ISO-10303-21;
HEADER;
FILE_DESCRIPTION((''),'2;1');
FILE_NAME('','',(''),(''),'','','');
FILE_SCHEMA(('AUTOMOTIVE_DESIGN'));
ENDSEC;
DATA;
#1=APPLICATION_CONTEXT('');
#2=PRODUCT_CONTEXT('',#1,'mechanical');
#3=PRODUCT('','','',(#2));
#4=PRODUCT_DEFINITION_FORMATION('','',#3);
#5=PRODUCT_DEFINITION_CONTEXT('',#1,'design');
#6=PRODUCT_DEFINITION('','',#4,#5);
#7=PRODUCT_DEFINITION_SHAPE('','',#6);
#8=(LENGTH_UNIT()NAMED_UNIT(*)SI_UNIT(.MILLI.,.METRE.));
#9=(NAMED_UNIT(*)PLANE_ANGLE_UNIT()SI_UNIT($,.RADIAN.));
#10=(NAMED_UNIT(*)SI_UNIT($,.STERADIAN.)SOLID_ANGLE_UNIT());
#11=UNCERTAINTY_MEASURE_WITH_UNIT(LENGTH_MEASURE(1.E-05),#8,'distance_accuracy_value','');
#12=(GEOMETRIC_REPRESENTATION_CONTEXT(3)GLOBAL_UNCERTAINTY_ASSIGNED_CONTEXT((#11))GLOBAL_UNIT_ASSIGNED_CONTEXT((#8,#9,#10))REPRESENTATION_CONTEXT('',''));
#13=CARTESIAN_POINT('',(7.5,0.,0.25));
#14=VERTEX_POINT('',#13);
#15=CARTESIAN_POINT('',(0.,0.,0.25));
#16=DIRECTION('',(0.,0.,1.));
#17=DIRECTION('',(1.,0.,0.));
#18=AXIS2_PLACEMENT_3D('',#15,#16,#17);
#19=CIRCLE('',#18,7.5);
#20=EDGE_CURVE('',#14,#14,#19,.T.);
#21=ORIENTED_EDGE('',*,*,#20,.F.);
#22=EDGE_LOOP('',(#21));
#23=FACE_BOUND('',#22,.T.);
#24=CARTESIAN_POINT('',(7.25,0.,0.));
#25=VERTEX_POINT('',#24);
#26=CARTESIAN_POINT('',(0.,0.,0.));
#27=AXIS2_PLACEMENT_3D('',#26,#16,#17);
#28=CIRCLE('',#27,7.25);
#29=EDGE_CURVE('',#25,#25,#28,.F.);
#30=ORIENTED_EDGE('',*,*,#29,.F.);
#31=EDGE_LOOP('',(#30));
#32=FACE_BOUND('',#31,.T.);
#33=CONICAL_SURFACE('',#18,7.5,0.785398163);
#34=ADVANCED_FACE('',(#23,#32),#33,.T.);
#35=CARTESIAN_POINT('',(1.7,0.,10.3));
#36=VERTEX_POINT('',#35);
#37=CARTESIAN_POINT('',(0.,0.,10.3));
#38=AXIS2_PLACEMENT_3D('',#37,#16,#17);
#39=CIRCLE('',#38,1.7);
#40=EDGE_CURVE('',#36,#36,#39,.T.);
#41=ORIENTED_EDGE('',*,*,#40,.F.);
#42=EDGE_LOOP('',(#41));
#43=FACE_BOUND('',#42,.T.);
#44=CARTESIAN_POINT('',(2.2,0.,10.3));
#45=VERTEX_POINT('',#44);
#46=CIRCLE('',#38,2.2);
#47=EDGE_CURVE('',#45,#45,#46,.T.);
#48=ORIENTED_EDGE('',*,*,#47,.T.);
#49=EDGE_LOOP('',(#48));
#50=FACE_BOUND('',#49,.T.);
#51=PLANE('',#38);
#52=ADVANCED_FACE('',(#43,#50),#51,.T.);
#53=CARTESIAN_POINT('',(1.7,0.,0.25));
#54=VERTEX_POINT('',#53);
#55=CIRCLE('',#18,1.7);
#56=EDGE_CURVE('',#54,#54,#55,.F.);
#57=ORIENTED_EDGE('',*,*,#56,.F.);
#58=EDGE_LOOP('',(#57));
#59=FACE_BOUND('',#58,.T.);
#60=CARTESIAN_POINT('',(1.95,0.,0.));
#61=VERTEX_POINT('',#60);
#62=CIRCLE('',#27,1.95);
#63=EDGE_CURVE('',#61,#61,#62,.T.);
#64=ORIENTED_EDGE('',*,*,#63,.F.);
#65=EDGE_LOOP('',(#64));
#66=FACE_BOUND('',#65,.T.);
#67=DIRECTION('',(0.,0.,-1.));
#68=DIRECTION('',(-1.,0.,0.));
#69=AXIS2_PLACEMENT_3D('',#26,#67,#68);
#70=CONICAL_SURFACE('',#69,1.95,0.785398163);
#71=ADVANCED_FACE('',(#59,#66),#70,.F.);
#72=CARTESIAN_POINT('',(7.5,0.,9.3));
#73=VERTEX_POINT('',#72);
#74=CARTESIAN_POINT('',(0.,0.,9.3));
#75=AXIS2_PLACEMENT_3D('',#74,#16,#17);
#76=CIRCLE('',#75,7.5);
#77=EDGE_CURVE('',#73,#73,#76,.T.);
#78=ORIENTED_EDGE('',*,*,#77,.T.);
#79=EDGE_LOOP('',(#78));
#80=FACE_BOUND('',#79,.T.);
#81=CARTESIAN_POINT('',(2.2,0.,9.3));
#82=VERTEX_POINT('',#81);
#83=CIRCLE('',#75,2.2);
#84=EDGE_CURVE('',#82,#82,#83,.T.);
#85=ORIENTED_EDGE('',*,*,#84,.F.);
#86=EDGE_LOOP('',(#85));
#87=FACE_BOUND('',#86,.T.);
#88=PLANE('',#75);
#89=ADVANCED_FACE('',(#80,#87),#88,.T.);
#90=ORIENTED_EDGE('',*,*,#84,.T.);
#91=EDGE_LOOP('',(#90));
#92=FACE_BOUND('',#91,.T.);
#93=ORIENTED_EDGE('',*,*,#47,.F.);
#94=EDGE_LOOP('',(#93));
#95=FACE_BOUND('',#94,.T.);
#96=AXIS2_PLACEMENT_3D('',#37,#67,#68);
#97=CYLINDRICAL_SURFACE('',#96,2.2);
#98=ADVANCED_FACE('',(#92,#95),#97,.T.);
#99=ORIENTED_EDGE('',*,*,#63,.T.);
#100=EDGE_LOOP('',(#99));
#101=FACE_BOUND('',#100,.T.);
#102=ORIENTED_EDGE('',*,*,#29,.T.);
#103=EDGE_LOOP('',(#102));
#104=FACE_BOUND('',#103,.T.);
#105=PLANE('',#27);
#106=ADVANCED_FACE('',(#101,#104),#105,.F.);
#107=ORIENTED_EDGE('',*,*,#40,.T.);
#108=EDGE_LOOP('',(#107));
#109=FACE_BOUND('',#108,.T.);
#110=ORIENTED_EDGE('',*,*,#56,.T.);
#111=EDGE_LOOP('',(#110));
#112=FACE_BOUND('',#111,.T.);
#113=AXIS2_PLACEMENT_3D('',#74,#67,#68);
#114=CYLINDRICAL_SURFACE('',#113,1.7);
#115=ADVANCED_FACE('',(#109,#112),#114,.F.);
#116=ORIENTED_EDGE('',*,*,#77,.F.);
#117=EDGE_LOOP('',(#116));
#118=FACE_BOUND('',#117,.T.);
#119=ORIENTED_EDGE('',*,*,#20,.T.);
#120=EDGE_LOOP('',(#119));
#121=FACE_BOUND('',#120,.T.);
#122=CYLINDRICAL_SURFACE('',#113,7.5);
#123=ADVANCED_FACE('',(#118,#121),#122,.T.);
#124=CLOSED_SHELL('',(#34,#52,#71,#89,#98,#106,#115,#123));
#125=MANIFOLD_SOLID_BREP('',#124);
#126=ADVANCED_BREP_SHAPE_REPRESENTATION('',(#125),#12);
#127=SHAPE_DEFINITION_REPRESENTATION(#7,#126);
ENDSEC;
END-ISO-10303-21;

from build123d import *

# Parameters (mm, degrees)
SKETCH1_R           = 7.5
SKETCH1_R_2         = 1.7
BOSS_EXTRUDE1_DEPTH = 9.3
SKETCH2_R           = 2.2
SKETCH2_R_2         = 1.7
BOSS_EXTRUDE2_DEPTH = 1
CHAMFER1_SIZE       = 0.25


with BuildPart() as part:
    # Sketch1 → Boss-Extrude1 (new body)
    with BuildSketch(Plane.XY):
        Circle(SKETCH1_R)
        Circle(SKETCH1_R_2, mode=Mode.SUBTRACT)
    extrude(amount=BOSS_EXTRUDE1_DEPTH)

    # Sketch2 → Boss-Extrude2 (add)
    with BuildSketch(Plane.XY.offset(9.3)):
        Circle(SKETCH2_R)
        Circle(SKETCH2_R_2, mode=Mode.SUBTRACT)
    extrude(amount=BOSS_EXTRUDE2_DEPTH)

    # Chamfer1
    chamfer1_edges = [part.edges().sort_by_distance(p)[0] for p in [
        (-7.5, 0, 0),
        (-1.7, 0, 0),
    ]]
    chamfer(chamfer1_edges, length=CHAMFER1_SIZE)


solid = part.part
